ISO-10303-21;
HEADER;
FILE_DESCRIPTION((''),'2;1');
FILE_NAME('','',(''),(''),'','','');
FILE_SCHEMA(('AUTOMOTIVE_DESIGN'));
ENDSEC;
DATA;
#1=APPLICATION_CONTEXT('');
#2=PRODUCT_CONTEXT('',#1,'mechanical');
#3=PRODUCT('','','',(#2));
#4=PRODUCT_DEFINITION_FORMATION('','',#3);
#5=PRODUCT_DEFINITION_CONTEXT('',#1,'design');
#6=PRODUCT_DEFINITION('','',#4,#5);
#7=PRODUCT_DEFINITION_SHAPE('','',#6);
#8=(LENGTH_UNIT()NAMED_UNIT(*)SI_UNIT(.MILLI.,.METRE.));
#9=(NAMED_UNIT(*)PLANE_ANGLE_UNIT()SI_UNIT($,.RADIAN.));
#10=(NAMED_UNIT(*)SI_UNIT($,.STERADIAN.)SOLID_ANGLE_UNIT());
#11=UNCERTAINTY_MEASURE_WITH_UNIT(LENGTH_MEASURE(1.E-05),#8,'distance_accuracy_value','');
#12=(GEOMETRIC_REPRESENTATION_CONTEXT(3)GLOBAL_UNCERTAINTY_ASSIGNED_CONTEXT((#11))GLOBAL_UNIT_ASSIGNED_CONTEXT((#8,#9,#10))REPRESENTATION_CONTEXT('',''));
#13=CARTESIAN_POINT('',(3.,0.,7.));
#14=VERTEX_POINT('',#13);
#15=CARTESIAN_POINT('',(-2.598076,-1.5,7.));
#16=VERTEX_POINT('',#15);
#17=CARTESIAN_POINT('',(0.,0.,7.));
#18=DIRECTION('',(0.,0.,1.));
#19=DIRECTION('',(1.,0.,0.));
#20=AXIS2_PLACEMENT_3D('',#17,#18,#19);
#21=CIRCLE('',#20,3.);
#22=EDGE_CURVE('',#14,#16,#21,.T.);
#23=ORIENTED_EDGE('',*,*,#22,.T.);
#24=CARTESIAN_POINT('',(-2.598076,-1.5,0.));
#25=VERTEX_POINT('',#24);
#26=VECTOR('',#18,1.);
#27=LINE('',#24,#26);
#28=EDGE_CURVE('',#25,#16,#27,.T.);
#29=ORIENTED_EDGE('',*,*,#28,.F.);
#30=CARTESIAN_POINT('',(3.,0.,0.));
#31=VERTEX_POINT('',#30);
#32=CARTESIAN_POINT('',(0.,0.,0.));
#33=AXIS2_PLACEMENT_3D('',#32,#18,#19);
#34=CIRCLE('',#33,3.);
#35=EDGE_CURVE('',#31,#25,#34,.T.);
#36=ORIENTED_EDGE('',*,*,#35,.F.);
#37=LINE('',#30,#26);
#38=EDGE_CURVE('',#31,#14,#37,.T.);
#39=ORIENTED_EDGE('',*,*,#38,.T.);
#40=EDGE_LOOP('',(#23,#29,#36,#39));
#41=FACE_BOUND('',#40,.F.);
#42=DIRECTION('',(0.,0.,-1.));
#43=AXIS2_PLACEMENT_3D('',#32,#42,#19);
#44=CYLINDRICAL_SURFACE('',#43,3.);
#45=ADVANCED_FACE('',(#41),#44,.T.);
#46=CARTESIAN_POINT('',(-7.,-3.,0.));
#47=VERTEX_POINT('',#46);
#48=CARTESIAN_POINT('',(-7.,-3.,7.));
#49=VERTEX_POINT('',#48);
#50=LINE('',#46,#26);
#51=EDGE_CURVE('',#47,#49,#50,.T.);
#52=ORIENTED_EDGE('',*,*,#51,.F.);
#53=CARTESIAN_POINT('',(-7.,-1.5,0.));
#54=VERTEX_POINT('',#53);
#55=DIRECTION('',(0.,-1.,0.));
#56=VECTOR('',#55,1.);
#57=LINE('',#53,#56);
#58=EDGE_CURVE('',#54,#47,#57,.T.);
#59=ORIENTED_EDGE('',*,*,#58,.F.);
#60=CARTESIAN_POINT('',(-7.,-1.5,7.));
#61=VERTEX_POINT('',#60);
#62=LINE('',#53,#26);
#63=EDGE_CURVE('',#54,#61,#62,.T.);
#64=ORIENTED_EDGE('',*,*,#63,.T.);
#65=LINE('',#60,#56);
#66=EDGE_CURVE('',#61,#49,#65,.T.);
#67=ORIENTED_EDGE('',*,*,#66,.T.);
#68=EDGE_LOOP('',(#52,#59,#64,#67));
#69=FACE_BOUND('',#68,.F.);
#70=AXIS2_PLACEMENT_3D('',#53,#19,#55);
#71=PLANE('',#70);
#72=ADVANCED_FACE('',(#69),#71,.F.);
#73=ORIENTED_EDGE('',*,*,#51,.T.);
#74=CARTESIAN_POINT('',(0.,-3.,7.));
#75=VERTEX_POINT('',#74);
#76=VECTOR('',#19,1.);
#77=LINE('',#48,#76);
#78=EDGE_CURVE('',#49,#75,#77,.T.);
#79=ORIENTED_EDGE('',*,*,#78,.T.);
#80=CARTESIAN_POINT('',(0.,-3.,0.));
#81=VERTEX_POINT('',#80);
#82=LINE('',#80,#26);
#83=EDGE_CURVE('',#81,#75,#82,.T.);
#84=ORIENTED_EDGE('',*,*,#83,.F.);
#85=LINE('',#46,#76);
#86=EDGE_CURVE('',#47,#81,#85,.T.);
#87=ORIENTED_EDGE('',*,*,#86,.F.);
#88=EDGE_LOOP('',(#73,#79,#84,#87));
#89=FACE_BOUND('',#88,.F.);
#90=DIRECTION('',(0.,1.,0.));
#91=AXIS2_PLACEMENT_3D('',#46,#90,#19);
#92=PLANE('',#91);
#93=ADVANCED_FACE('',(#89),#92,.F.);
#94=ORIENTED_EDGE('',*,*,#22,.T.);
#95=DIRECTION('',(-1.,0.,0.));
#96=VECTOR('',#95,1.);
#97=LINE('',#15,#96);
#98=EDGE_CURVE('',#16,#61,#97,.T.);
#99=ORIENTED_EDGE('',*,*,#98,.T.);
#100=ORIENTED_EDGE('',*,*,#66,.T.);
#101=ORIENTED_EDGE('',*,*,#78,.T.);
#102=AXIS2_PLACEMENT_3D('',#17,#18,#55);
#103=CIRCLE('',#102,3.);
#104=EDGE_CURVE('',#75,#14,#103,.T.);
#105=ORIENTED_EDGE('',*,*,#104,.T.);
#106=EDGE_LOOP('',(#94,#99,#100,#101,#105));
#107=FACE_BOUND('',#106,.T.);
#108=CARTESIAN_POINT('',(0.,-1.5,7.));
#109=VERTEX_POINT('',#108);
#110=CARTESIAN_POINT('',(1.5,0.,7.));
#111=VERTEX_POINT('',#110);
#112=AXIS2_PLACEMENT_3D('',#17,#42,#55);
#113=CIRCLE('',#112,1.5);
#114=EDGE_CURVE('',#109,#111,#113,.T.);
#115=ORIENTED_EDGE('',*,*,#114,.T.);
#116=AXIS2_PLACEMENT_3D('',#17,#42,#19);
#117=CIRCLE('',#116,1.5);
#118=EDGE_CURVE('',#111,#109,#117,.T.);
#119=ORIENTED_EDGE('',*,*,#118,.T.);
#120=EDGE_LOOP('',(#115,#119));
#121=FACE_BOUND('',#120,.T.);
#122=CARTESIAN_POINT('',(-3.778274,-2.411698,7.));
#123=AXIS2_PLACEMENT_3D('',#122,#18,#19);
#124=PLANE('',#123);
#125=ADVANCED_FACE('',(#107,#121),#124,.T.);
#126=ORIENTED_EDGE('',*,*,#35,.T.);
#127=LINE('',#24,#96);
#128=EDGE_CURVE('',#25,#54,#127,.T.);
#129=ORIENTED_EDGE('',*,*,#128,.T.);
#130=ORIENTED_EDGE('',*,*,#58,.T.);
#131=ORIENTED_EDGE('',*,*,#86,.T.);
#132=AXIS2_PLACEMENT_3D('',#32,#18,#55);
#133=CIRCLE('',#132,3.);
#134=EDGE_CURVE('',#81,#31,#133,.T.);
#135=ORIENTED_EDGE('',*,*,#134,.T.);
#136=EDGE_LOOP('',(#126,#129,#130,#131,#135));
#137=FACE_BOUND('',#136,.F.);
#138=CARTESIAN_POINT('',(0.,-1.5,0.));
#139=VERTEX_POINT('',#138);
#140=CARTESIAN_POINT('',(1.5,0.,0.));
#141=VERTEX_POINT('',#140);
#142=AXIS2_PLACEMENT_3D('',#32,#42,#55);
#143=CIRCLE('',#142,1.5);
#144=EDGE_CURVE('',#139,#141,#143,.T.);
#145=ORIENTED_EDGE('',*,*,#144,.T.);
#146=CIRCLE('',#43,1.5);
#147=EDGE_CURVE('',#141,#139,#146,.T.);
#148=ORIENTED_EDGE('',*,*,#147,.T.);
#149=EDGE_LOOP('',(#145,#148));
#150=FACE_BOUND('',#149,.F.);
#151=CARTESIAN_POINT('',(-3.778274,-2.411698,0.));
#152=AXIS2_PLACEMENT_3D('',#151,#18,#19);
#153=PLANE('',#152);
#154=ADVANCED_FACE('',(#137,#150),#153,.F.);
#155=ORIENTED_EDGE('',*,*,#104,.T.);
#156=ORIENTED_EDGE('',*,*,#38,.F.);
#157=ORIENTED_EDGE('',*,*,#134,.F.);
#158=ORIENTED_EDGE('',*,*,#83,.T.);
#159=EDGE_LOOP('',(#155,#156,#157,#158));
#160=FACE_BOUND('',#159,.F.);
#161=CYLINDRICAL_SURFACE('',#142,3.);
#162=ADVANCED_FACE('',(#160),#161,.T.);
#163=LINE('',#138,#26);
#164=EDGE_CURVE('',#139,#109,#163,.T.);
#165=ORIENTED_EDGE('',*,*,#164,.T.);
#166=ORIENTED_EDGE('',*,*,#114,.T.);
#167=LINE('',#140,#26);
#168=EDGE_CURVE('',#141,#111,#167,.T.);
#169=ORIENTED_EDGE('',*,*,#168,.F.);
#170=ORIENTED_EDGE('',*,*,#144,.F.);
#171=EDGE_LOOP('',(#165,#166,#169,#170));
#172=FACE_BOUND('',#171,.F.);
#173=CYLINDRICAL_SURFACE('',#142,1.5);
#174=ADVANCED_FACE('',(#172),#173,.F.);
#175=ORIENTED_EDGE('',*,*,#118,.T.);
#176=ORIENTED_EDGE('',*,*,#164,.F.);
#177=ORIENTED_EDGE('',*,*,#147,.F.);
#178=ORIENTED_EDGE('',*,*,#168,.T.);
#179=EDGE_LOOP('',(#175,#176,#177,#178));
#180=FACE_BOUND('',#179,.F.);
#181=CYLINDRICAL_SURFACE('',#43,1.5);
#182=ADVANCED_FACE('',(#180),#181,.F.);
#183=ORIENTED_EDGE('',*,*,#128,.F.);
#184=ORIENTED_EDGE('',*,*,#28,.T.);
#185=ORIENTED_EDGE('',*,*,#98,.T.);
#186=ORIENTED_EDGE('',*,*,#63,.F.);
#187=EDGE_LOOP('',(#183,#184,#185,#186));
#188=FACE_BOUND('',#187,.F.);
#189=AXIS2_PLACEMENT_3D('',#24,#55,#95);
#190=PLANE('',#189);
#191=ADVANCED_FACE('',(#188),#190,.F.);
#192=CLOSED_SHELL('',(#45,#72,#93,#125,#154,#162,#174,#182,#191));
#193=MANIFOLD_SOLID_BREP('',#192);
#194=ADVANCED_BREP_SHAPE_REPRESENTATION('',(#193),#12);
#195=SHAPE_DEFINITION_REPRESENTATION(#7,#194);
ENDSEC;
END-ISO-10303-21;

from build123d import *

# Parameters (mm, degrees)
F1_DEPTH = 7


with BuildPart() as f1:
    # F0 (on Top) → F1 (new body)
    with BuildSketch(Plane.XY):
        with BuildLine():
            Line((-7, -3), (0, -3))
            ThreePointArc((0, -3), (-1.5, -2.5980762114), (-2.5980762114, -1.5))
            Line((-2.5980762114, -1.5), (-7, -1.5))
            Line((-7, -1.5), (-7, -3))
        make_face()
        with BuildLine():
            Line((-2.5980762114, -1.5), (0, -1.5))
            Line((0, -1.5), (0, -3))
            ThreePointArc((0, -3), (2.1213203436, -2.1213203436), (3, 0))
            ThreePointArc((3, 0), (-0.7764571353, 2.8977774789), (-2.5980762114, -1.5))
        make_face()
        with BuildLine():
            ThreePointArc((0, -1.5), (-1.0606601718, 1.0606601718), (1.5, 0))
            ThreePointArc((1.5, 0), (1.0606601718, -1.0606601718), (0, -1.5))
        make_face(mode=Mode.SUBTRACT)
        with BuildLine():
            Line((0, -3), (0, -1.5))
            Line((0, -1.5), (-2.5980762114, -1.5))
            ThreePointArc((-2.5980762114, -1.5), (-1.5, -2.5980762114), (0, -3))
        make_face()
    extrude(amount=F1_DEPTH)


solid = f1.part
